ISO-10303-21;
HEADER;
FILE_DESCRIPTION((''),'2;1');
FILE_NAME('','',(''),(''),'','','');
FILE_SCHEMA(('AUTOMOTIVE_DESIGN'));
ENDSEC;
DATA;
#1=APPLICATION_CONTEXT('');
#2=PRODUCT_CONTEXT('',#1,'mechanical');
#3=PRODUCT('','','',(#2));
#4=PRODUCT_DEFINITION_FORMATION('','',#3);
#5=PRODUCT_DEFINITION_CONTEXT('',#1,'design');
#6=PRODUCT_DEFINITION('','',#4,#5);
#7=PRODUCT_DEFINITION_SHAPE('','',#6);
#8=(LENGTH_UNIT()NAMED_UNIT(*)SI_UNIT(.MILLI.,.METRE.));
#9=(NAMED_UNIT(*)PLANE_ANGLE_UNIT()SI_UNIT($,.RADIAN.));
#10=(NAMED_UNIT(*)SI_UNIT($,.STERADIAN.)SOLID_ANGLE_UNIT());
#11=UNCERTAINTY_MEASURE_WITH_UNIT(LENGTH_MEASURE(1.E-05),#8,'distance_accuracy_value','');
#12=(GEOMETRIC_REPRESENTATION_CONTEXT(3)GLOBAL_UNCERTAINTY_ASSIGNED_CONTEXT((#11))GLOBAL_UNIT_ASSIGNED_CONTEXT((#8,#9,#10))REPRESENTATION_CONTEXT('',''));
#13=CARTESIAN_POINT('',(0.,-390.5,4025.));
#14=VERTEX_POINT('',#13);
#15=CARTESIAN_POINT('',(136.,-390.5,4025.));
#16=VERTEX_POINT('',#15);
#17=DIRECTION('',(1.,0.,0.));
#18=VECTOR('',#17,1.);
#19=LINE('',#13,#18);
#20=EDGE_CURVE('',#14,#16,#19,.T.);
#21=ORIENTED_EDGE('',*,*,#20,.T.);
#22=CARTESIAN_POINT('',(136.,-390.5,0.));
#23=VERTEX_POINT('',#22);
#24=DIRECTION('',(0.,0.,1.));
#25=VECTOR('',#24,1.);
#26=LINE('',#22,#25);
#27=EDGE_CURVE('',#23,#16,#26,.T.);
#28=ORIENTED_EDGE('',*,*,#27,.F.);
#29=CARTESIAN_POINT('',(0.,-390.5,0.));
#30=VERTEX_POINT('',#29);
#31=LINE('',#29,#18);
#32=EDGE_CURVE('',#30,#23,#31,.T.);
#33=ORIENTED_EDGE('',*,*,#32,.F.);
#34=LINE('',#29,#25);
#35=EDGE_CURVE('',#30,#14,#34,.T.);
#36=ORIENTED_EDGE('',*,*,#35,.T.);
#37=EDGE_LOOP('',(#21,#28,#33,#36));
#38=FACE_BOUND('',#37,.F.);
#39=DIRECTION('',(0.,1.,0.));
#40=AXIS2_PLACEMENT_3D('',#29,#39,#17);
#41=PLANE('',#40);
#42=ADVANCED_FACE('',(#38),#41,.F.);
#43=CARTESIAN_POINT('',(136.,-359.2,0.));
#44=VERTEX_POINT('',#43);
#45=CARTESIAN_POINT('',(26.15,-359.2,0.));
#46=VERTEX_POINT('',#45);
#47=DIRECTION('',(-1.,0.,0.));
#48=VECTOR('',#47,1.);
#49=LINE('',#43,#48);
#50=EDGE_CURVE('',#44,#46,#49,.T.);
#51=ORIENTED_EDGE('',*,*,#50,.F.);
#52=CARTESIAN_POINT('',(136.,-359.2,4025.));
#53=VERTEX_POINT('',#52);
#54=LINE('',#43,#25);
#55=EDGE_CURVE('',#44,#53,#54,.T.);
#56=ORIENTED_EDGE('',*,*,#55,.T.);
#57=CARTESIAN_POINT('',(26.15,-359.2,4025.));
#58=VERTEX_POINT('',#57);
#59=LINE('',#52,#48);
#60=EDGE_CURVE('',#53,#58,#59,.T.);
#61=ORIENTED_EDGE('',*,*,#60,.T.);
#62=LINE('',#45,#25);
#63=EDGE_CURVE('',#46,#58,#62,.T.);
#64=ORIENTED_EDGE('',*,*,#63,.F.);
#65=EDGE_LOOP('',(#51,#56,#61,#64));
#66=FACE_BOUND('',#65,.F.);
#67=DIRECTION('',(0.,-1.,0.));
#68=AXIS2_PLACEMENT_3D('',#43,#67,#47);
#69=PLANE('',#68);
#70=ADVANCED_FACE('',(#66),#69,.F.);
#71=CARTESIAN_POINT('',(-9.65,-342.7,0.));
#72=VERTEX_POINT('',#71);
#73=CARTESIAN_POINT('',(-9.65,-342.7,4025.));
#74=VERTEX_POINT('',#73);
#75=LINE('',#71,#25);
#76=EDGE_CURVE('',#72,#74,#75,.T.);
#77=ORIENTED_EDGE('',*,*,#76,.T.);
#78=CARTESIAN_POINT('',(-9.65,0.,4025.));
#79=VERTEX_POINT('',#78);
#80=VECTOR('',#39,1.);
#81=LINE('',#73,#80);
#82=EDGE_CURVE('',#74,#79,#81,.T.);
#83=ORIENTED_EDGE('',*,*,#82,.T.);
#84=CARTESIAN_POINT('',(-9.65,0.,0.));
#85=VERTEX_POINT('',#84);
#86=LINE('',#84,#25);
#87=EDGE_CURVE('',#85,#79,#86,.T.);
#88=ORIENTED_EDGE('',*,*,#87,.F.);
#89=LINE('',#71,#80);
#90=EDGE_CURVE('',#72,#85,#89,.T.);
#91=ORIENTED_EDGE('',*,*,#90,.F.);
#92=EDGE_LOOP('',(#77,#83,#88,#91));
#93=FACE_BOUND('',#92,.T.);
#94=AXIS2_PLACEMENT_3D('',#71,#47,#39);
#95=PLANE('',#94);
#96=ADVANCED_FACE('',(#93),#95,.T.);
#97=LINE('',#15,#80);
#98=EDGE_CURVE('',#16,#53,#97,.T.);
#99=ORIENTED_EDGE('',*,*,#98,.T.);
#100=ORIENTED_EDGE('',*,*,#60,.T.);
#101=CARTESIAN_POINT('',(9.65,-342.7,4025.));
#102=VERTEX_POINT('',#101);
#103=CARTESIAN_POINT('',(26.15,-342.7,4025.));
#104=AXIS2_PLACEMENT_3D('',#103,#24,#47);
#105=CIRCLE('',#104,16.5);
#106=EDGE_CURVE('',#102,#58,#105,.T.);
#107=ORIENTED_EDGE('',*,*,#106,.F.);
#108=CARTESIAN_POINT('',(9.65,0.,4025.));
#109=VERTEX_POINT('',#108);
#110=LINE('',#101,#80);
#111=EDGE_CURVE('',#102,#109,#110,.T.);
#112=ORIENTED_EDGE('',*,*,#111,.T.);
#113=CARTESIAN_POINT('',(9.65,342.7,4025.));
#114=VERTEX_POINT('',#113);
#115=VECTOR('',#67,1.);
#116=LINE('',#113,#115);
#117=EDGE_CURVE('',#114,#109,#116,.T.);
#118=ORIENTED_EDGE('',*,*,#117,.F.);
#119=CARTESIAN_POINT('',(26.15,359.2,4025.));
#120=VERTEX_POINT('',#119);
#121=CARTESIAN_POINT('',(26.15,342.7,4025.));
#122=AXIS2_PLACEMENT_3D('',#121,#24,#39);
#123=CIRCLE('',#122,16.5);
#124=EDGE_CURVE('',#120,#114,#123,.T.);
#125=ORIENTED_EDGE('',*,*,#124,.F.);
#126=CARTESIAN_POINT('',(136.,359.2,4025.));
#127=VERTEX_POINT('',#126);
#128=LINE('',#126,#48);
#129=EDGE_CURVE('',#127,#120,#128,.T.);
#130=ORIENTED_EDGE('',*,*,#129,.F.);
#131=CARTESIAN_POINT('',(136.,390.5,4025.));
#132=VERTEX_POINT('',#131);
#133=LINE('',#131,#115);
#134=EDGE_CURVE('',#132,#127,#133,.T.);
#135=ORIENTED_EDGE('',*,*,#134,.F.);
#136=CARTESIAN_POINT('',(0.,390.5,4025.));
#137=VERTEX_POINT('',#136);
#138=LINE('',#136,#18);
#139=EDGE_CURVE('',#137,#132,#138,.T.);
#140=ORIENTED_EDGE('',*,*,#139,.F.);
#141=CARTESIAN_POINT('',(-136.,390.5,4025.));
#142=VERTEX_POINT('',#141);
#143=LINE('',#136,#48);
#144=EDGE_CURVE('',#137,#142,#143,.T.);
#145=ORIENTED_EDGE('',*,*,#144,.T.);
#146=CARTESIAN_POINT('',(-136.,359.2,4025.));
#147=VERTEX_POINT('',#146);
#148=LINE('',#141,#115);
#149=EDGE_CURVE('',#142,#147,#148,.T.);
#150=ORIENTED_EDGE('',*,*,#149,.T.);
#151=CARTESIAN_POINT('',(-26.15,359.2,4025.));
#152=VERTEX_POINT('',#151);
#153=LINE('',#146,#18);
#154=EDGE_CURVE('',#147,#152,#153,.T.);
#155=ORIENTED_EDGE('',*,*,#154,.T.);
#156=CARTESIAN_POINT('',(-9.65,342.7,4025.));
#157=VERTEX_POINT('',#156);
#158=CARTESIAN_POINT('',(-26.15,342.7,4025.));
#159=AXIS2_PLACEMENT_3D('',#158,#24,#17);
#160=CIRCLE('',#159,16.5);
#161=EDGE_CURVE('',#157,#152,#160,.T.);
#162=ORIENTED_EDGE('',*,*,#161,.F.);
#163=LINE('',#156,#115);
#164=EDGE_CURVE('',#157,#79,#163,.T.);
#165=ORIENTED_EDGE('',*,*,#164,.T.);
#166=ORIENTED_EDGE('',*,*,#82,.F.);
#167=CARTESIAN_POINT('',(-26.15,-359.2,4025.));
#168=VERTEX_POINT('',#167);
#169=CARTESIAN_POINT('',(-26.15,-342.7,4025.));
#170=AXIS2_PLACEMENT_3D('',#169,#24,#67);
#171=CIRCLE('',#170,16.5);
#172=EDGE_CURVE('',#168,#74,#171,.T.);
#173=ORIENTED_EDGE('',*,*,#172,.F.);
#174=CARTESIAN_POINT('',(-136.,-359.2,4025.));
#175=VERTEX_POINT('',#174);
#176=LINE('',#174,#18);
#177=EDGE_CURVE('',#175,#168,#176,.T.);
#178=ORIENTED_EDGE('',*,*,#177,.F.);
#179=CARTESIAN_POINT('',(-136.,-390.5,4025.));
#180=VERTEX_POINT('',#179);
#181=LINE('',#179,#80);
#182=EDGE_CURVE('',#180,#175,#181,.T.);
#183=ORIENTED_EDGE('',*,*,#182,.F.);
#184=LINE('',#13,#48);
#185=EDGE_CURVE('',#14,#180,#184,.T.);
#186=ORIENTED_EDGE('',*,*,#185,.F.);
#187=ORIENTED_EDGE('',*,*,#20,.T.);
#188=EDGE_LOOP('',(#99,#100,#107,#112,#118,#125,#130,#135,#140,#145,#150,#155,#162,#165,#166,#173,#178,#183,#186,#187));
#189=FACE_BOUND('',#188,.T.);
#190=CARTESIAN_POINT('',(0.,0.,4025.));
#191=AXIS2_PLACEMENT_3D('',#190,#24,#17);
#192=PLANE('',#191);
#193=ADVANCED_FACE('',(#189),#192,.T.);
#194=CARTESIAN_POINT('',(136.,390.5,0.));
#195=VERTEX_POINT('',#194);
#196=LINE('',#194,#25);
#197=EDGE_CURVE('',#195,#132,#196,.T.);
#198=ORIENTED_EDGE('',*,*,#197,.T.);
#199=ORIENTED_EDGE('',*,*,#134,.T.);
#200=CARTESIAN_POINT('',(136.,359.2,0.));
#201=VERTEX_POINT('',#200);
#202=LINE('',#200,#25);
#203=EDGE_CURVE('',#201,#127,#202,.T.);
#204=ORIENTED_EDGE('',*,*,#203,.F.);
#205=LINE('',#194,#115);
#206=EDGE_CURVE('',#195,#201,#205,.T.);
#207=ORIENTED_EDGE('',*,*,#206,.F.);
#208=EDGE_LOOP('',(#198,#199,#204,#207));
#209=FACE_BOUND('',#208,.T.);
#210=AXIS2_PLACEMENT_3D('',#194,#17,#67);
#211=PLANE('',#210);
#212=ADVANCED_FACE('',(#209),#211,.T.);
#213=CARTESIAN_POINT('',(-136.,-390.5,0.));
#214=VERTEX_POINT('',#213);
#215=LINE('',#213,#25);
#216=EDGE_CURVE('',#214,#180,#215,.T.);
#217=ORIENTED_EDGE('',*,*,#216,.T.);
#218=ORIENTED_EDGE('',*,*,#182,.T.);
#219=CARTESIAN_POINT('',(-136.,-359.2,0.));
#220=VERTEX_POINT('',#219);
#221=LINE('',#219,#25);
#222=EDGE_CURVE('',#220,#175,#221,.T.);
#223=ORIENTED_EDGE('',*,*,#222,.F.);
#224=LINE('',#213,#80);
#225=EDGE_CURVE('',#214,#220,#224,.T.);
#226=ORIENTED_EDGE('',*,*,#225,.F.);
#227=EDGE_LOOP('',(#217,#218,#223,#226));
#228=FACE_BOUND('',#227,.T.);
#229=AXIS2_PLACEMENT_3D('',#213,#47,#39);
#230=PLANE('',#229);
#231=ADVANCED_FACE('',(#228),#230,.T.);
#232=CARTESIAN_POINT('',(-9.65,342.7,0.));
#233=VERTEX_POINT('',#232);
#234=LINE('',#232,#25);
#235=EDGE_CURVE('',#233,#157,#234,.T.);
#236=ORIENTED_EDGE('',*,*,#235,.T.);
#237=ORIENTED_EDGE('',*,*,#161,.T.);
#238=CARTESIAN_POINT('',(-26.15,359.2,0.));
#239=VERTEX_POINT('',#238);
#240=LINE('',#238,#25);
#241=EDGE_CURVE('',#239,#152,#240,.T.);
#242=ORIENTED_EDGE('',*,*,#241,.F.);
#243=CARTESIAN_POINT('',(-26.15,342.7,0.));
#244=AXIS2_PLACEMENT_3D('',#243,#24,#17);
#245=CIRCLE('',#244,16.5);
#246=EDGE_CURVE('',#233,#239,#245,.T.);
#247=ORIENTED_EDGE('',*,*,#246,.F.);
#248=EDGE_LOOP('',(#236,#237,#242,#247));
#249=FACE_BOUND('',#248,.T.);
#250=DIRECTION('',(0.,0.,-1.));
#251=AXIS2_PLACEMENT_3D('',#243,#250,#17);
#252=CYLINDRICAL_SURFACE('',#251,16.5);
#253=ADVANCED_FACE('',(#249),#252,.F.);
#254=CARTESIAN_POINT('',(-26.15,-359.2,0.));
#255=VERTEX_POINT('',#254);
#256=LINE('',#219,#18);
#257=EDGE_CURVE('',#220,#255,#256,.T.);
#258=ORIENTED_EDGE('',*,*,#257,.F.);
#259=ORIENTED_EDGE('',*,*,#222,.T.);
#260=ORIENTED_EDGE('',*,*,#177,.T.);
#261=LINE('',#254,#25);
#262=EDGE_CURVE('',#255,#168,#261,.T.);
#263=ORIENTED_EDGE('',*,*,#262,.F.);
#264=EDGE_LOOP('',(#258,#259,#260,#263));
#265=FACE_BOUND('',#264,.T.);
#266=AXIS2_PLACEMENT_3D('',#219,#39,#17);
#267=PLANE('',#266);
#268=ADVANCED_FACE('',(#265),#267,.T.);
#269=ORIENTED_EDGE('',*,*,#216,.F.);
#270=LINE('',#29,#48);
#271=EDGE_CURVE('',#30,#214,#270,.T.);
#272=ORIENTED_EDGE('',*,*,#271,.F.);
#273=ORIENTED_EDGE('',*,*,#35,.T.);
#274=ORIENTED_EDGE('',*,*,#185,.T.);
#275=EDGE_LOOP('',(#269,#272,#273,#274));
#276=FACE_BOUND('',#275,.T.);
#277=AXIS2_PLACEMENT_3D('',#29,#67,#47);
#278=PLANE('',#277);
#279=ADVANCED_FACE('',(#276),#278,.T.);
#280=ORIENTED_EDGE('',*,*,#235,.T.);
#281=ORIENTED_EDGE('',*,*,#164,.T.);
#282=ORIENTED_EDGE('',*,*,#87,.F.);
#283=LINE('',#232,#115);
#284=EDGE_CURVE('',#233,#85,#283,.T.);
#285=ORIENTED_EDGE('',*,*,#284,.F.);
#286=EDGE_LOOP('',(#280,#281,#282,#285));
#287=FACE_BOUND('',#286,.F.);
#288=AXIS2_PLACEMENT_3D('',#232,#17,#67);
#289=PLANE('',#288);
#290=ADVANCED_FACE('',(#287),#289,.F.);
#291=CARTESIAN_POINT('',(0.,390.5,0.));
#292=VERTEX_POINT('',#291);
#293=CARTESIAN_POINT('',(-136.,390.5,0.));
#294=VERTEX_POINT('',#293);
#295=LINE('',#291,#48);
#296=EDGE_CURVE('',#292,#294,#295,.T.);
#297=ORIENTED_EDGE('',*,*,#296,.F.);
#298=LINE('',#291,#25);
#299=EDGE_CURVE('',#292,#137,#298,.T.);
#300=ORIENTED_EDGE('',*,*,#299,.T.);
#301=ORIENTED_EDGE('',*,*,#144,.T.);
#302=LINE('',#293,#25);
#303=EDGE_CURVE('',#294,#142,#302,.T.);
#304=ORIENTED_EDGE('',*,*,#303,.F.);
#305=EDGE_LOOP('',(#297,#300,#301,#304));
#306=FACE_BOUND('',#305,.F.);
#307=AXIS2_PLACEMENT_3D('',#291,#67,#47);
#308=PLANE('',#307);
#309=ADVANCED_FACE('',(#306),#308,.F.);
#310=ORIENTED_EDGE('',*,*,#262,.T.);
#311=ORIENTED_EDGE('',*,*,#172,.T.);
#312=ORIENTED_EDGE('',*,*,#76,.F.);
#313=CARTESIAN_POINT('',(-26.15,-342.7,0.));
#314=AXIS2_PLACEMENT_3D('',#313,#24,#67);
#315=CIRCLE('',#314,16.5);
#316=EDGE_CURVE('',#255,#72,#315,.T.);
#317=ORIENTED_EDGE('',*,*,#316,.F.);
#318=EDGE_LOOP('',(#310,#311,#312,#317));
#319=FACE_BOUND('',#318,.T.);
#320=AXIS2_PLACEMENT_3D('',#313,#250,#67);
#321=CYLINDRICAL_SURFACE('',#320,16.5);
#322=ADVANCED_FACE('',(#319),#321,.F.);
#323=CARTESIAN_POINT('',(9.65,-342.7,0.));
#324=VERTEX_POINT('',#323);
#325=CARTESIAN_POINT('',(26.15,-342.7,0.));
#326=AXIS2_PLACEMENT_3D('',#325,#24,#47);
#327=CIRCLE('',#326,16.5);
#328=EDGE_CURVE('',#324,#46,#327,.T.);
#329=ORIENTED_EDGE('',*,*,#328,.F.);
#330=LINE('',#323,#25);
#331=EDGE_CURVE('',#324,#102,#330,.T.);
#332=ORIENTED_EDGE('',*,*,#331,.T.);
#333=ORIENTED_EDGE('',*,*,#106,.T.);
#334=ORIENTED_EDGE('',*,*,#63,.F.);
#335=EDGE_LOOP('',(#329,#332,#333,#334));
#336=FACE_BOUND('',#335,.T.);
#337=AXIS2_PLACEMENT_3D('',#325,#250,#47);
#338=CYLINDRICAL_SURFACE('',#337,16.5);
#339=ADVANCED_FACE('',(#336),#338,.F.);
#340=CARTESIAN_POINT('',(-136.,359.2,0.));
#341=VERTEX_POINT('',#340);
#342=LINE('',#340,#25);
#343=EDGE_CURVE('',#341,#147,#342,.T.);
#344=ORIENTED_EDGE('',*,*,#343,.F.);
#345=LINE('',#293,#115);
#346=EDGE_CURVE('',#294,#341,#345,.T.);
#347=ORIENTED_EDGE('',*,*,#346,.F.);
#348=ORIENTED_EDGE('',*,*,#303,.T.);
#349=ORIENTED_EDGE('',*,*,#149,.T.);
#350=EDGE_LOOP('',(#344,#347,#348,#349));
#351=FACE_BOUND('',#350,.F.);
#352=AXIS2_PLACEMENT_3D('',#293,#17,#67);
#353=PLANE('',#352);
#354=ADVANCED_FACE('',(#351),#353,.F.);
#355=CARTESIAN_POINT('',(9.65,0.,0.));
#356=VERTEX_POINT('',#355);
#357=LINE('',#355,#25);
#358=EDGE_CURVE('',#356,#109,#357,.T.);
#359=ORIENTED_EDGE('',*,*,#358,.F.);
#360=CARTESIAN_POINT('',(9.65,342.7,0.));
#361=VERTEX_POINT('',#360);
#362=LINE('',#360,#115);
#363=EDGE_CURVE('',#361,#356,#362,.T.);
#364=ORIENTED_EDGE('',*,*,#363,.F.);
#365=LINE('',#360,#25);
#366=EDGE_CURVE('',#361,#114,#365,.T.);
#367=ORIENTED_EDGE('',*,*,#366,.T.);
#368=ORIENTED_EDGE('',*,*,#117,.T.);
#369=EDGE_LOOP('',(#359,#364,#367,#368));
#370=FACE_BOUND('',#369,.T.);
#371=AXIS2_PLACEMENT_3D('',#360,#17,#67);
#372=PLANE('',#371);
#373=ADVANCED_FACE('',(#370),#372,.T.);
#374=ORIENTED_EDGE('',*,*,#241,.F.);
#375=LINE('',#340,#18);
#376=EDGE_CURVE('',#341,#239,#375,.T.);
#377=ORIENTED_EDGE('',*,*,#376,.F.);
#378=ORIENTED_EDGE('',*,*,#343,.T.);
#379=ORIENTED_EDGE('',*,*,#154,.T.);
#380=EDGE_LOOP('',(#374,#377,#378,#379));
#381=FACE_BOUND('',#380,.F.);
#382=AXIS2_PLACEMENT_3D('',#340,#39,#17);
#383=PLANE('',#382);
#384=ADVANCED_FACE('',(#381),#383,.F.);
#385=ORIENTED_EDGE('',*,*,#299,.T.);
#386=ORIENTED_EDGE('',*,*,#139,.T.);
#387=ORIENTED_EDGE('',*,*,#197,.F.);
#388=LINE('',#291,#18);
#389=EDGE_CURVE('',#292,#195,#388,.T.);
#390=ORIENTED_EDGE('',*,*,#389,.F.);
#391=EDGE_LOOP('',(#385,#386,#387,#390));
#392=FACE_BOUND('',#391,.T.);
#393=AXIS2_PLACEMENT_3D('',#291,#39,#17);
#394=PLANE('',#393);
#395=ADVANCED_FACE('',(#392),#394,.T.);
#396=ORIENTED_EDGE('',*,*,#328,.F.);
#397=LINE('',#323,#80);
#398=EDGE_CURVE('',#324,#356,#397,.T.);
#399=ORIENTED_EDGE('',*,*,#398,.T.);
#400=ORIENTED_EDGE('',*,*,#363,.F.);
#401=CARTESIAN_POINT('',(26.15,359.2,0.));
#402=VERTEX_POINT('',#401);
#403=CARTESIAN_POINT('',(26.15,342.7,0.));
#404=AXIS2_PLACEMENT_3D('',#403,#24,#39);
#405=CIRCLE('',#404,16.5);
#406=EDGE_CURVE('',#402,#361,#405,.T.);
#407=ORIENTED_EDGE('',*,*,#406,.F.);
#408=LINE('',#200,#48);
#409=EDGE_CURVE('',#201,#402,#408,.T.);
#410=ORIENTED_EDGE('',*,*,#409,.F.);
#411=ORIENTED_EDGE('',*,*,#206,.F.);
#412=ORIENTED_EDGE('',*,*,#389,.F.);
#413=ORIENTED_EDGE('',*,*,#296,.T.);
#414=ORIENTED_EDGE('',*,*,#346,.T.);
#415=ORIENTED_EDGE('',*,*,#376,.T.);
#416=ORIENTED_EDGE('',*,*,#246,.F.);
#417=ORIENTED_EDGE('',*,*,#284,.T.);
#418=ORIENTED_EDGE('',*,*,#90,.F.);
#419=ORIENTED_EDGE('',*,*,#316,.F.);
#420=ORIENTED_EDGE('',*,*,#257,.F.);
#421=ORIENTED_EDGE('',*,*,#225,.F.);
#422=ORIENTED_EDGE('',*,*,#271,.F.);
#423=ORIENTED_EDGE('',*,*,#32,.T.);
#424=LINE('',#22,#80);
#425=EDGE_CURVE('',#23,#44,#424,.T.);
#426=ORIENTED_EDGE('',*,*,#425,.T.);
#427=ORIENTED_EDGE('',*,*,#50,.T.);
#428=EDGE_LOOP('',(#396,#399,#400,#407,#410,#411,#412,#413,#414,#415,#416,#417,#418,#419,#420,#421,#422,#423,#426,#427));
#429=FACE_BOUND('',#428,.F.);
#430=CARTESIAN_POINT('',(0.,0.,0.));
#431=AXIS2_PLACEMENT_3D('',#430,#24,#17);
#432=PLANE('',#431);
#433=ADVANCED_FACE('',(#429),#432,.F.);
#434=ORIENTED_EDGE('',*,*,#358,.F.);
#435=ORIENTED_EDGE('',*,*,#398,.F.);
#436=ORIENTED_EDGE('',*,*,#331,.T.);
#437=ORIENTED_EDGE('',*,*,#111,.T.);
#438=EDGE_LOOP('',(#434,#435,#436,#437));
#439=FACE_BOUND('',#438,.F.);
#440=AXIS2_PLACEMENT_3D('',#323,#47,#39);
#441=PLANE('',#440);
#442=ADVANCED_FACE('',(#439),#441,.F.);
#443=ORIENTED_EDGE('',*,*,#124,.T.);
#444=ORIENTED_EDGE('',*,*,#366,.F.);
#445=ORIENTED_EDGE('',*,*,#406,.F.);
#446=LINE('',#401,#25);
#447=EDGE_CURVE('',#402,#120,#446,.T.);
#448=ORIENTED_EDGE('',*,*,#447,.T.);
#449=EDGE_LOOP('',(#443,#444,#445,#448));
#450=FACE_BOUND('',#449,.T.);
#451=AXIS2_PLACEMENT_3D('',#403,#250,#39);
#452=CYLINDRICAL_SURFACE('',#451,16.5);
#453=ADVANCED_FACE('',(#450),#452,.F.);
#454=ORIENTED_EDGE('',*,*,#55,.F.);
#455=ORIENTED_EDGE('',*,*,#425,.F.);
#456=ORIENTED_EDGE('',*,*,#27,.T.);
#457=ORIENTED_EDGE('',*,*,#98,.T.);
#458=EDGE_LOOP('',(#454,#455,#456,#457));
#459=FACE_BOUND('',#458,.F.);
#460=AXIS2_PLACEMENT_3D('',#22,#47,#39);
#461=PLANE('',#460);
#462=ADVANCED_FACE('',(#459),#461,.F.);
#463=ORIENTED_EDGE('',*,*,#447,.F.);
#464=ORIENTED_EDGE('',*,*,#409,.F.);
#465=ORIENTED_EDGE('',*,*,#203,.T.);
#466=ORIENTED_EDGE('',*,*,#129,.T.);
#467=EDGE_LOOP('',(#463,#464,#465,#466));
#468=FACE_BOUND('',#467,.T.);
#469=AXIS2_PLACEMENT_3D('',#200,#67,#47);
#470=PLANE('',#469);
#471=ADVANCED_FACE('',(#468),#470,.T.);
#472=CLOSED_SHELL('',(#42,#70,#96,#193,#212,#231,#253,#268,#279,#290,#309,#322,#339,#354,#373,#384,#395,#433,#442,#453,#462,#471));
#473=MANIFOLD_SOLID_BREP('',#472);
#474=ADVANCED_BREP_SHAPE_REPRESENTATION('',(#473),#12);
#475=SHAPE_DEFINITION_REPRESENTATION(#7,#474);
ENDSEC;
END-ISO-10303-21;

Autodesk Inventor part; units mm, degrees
ref_plane "YZ Plane" through (0, 0, 0) normal (1, 0, 0) x (0, 1, 0)
ref_plane "Start plane" through (0, 0, 0) normal (0, 0, 1) x (1, 0, 0)
ref_plane "End plane" through (0, 0, 4025) normal (0, 0, 1) x (1, 0, 0)
sketch "Sketch" plane through (0, 0, 0) normal (0, 0, 1) x (1, 0, 0)
  line L0 (-136, -390.5) -> (-136, -359.2)
  line L1 (-136, -359.2) -> (-26.15, -359.2)
  line L2 (-9.65, -342.7) -> (-9.65, 0)
  line L3 (-9.65, 0) -> (0, 0) construction
  line L4 (0, 0) -> (0, -390.5) construction
  line L5 (0, -390.5) -> (-136, -390.5)
  line L6 (-60, 0) -> (80, 0) construction
  line L7 (0, -60) -> (0, 80) construction
  line L8 (136, -390.5) -> (136, -359.2)
  line L9 (136, -359.2) -> (26.15, -359.2)
  line L10 (9.65, -342.7) -> (9.65, 0)
  line L11 (9.65, 0) -> (0, 0) construction
  line L12 (0, -390.5) -> (136, -390.5)
  line L13 (-136, 390.5) -> (-136, 359.2)
  line L14 (-136, 359.2) -> (-26.15, 359.2)
  line L15 (-9.65, 342.7) -> (-9.65, 0)
  line L16 (0, 390.5) -> (-136, 390.5)
  line L17 (136, 390.5) -> (136, 359.2)
  line L18 (136, 359.2) -> (26.15, 359.2)
  line L19 (0, 390.5) -> (136, 390.5)
  line L20 (9.65, 342.7) -> (9.65, 0)
  arc A0 (-9.65, 342.7) -> (-26.15, 359.2) centre (-26.15, 342.7) ccw
  arc A1 (26.15, 359.2) -> (9.65, 342.7) centre (26.15, 342.7) ccw
  arc A2 (9.65, -342.7) -> (26.15, -359.2) centre (26.15, -342.7) ccw
  arc A3 (-26.15, -359.2) -> (-9.65, -342.7) centre (-26.15, -342.7) ccw
  line L21 (0, 108) -> (0, -88) construction
  line L22 (-88, 0) -> (108, 0) construction
  point P0 (-9.65, -359.2)
  point P1 (9.65, -359.2)
  point P2 (-9.65, 359.2)
  point P3 (9.65, 359.2)
  dimension "d1" = 390.5
  dimension "d2" = 31.3
  dimension "d3" = 136
  dimension "d4" = 9.65
  dimension "d10" = 16.5
extrude "Body" add sketch "Sketch" along normal up to surface (4025 mm away) from surface at 0
sketch "Sketch4" plane through (0, 0, 0) normal (0, 0, 1) x (1, 0, 0)
  line L0 (0, 0) -> (10, 0)
ref_plane "Work Plane3" through (0, 0, 0) normal (0, -1, 0) x (1, 0, 0)
sketch "Sketch5" plane through (0, 0, 0) normal (0, -1, 0) x (1, 0, 0)
  line L0 (-2, 0) -> (12, 0) projected
  line L1 (-2, 4025) -> (12, 4025) projected
  dimension "d14" = 4025
equation "\"d1\" = 0.5 * G_H"
equation "\"d2\" = G_T1"
equation "\"d3\" = 0.5 * G_W"
equation "\"d4\" = 0.5 * G_T"
equation "\"d10\" = G_IR"
equation "\"d5\" = G_L"
equation "\"G_W\" = 272"
equation "\"G_H\" = 781"
equation "\"G_T\" = 19.3"
equation "\"G_T1\" = 31.3"
equation "\"G_IR\" = 16.5"
equation "\"G_L\" = d14"
equation "\"G_OFFSET_START\" = 0"
equation "\"G_OFFSET_END\" = 0"
equation "\"d12\" = G_OFFSET_END + B_L"
equation "\"B_L\" = 4025"
properties part number "AS 3679-1990 - 760 UB - 244 - 4025" material "Steel, Mild"
